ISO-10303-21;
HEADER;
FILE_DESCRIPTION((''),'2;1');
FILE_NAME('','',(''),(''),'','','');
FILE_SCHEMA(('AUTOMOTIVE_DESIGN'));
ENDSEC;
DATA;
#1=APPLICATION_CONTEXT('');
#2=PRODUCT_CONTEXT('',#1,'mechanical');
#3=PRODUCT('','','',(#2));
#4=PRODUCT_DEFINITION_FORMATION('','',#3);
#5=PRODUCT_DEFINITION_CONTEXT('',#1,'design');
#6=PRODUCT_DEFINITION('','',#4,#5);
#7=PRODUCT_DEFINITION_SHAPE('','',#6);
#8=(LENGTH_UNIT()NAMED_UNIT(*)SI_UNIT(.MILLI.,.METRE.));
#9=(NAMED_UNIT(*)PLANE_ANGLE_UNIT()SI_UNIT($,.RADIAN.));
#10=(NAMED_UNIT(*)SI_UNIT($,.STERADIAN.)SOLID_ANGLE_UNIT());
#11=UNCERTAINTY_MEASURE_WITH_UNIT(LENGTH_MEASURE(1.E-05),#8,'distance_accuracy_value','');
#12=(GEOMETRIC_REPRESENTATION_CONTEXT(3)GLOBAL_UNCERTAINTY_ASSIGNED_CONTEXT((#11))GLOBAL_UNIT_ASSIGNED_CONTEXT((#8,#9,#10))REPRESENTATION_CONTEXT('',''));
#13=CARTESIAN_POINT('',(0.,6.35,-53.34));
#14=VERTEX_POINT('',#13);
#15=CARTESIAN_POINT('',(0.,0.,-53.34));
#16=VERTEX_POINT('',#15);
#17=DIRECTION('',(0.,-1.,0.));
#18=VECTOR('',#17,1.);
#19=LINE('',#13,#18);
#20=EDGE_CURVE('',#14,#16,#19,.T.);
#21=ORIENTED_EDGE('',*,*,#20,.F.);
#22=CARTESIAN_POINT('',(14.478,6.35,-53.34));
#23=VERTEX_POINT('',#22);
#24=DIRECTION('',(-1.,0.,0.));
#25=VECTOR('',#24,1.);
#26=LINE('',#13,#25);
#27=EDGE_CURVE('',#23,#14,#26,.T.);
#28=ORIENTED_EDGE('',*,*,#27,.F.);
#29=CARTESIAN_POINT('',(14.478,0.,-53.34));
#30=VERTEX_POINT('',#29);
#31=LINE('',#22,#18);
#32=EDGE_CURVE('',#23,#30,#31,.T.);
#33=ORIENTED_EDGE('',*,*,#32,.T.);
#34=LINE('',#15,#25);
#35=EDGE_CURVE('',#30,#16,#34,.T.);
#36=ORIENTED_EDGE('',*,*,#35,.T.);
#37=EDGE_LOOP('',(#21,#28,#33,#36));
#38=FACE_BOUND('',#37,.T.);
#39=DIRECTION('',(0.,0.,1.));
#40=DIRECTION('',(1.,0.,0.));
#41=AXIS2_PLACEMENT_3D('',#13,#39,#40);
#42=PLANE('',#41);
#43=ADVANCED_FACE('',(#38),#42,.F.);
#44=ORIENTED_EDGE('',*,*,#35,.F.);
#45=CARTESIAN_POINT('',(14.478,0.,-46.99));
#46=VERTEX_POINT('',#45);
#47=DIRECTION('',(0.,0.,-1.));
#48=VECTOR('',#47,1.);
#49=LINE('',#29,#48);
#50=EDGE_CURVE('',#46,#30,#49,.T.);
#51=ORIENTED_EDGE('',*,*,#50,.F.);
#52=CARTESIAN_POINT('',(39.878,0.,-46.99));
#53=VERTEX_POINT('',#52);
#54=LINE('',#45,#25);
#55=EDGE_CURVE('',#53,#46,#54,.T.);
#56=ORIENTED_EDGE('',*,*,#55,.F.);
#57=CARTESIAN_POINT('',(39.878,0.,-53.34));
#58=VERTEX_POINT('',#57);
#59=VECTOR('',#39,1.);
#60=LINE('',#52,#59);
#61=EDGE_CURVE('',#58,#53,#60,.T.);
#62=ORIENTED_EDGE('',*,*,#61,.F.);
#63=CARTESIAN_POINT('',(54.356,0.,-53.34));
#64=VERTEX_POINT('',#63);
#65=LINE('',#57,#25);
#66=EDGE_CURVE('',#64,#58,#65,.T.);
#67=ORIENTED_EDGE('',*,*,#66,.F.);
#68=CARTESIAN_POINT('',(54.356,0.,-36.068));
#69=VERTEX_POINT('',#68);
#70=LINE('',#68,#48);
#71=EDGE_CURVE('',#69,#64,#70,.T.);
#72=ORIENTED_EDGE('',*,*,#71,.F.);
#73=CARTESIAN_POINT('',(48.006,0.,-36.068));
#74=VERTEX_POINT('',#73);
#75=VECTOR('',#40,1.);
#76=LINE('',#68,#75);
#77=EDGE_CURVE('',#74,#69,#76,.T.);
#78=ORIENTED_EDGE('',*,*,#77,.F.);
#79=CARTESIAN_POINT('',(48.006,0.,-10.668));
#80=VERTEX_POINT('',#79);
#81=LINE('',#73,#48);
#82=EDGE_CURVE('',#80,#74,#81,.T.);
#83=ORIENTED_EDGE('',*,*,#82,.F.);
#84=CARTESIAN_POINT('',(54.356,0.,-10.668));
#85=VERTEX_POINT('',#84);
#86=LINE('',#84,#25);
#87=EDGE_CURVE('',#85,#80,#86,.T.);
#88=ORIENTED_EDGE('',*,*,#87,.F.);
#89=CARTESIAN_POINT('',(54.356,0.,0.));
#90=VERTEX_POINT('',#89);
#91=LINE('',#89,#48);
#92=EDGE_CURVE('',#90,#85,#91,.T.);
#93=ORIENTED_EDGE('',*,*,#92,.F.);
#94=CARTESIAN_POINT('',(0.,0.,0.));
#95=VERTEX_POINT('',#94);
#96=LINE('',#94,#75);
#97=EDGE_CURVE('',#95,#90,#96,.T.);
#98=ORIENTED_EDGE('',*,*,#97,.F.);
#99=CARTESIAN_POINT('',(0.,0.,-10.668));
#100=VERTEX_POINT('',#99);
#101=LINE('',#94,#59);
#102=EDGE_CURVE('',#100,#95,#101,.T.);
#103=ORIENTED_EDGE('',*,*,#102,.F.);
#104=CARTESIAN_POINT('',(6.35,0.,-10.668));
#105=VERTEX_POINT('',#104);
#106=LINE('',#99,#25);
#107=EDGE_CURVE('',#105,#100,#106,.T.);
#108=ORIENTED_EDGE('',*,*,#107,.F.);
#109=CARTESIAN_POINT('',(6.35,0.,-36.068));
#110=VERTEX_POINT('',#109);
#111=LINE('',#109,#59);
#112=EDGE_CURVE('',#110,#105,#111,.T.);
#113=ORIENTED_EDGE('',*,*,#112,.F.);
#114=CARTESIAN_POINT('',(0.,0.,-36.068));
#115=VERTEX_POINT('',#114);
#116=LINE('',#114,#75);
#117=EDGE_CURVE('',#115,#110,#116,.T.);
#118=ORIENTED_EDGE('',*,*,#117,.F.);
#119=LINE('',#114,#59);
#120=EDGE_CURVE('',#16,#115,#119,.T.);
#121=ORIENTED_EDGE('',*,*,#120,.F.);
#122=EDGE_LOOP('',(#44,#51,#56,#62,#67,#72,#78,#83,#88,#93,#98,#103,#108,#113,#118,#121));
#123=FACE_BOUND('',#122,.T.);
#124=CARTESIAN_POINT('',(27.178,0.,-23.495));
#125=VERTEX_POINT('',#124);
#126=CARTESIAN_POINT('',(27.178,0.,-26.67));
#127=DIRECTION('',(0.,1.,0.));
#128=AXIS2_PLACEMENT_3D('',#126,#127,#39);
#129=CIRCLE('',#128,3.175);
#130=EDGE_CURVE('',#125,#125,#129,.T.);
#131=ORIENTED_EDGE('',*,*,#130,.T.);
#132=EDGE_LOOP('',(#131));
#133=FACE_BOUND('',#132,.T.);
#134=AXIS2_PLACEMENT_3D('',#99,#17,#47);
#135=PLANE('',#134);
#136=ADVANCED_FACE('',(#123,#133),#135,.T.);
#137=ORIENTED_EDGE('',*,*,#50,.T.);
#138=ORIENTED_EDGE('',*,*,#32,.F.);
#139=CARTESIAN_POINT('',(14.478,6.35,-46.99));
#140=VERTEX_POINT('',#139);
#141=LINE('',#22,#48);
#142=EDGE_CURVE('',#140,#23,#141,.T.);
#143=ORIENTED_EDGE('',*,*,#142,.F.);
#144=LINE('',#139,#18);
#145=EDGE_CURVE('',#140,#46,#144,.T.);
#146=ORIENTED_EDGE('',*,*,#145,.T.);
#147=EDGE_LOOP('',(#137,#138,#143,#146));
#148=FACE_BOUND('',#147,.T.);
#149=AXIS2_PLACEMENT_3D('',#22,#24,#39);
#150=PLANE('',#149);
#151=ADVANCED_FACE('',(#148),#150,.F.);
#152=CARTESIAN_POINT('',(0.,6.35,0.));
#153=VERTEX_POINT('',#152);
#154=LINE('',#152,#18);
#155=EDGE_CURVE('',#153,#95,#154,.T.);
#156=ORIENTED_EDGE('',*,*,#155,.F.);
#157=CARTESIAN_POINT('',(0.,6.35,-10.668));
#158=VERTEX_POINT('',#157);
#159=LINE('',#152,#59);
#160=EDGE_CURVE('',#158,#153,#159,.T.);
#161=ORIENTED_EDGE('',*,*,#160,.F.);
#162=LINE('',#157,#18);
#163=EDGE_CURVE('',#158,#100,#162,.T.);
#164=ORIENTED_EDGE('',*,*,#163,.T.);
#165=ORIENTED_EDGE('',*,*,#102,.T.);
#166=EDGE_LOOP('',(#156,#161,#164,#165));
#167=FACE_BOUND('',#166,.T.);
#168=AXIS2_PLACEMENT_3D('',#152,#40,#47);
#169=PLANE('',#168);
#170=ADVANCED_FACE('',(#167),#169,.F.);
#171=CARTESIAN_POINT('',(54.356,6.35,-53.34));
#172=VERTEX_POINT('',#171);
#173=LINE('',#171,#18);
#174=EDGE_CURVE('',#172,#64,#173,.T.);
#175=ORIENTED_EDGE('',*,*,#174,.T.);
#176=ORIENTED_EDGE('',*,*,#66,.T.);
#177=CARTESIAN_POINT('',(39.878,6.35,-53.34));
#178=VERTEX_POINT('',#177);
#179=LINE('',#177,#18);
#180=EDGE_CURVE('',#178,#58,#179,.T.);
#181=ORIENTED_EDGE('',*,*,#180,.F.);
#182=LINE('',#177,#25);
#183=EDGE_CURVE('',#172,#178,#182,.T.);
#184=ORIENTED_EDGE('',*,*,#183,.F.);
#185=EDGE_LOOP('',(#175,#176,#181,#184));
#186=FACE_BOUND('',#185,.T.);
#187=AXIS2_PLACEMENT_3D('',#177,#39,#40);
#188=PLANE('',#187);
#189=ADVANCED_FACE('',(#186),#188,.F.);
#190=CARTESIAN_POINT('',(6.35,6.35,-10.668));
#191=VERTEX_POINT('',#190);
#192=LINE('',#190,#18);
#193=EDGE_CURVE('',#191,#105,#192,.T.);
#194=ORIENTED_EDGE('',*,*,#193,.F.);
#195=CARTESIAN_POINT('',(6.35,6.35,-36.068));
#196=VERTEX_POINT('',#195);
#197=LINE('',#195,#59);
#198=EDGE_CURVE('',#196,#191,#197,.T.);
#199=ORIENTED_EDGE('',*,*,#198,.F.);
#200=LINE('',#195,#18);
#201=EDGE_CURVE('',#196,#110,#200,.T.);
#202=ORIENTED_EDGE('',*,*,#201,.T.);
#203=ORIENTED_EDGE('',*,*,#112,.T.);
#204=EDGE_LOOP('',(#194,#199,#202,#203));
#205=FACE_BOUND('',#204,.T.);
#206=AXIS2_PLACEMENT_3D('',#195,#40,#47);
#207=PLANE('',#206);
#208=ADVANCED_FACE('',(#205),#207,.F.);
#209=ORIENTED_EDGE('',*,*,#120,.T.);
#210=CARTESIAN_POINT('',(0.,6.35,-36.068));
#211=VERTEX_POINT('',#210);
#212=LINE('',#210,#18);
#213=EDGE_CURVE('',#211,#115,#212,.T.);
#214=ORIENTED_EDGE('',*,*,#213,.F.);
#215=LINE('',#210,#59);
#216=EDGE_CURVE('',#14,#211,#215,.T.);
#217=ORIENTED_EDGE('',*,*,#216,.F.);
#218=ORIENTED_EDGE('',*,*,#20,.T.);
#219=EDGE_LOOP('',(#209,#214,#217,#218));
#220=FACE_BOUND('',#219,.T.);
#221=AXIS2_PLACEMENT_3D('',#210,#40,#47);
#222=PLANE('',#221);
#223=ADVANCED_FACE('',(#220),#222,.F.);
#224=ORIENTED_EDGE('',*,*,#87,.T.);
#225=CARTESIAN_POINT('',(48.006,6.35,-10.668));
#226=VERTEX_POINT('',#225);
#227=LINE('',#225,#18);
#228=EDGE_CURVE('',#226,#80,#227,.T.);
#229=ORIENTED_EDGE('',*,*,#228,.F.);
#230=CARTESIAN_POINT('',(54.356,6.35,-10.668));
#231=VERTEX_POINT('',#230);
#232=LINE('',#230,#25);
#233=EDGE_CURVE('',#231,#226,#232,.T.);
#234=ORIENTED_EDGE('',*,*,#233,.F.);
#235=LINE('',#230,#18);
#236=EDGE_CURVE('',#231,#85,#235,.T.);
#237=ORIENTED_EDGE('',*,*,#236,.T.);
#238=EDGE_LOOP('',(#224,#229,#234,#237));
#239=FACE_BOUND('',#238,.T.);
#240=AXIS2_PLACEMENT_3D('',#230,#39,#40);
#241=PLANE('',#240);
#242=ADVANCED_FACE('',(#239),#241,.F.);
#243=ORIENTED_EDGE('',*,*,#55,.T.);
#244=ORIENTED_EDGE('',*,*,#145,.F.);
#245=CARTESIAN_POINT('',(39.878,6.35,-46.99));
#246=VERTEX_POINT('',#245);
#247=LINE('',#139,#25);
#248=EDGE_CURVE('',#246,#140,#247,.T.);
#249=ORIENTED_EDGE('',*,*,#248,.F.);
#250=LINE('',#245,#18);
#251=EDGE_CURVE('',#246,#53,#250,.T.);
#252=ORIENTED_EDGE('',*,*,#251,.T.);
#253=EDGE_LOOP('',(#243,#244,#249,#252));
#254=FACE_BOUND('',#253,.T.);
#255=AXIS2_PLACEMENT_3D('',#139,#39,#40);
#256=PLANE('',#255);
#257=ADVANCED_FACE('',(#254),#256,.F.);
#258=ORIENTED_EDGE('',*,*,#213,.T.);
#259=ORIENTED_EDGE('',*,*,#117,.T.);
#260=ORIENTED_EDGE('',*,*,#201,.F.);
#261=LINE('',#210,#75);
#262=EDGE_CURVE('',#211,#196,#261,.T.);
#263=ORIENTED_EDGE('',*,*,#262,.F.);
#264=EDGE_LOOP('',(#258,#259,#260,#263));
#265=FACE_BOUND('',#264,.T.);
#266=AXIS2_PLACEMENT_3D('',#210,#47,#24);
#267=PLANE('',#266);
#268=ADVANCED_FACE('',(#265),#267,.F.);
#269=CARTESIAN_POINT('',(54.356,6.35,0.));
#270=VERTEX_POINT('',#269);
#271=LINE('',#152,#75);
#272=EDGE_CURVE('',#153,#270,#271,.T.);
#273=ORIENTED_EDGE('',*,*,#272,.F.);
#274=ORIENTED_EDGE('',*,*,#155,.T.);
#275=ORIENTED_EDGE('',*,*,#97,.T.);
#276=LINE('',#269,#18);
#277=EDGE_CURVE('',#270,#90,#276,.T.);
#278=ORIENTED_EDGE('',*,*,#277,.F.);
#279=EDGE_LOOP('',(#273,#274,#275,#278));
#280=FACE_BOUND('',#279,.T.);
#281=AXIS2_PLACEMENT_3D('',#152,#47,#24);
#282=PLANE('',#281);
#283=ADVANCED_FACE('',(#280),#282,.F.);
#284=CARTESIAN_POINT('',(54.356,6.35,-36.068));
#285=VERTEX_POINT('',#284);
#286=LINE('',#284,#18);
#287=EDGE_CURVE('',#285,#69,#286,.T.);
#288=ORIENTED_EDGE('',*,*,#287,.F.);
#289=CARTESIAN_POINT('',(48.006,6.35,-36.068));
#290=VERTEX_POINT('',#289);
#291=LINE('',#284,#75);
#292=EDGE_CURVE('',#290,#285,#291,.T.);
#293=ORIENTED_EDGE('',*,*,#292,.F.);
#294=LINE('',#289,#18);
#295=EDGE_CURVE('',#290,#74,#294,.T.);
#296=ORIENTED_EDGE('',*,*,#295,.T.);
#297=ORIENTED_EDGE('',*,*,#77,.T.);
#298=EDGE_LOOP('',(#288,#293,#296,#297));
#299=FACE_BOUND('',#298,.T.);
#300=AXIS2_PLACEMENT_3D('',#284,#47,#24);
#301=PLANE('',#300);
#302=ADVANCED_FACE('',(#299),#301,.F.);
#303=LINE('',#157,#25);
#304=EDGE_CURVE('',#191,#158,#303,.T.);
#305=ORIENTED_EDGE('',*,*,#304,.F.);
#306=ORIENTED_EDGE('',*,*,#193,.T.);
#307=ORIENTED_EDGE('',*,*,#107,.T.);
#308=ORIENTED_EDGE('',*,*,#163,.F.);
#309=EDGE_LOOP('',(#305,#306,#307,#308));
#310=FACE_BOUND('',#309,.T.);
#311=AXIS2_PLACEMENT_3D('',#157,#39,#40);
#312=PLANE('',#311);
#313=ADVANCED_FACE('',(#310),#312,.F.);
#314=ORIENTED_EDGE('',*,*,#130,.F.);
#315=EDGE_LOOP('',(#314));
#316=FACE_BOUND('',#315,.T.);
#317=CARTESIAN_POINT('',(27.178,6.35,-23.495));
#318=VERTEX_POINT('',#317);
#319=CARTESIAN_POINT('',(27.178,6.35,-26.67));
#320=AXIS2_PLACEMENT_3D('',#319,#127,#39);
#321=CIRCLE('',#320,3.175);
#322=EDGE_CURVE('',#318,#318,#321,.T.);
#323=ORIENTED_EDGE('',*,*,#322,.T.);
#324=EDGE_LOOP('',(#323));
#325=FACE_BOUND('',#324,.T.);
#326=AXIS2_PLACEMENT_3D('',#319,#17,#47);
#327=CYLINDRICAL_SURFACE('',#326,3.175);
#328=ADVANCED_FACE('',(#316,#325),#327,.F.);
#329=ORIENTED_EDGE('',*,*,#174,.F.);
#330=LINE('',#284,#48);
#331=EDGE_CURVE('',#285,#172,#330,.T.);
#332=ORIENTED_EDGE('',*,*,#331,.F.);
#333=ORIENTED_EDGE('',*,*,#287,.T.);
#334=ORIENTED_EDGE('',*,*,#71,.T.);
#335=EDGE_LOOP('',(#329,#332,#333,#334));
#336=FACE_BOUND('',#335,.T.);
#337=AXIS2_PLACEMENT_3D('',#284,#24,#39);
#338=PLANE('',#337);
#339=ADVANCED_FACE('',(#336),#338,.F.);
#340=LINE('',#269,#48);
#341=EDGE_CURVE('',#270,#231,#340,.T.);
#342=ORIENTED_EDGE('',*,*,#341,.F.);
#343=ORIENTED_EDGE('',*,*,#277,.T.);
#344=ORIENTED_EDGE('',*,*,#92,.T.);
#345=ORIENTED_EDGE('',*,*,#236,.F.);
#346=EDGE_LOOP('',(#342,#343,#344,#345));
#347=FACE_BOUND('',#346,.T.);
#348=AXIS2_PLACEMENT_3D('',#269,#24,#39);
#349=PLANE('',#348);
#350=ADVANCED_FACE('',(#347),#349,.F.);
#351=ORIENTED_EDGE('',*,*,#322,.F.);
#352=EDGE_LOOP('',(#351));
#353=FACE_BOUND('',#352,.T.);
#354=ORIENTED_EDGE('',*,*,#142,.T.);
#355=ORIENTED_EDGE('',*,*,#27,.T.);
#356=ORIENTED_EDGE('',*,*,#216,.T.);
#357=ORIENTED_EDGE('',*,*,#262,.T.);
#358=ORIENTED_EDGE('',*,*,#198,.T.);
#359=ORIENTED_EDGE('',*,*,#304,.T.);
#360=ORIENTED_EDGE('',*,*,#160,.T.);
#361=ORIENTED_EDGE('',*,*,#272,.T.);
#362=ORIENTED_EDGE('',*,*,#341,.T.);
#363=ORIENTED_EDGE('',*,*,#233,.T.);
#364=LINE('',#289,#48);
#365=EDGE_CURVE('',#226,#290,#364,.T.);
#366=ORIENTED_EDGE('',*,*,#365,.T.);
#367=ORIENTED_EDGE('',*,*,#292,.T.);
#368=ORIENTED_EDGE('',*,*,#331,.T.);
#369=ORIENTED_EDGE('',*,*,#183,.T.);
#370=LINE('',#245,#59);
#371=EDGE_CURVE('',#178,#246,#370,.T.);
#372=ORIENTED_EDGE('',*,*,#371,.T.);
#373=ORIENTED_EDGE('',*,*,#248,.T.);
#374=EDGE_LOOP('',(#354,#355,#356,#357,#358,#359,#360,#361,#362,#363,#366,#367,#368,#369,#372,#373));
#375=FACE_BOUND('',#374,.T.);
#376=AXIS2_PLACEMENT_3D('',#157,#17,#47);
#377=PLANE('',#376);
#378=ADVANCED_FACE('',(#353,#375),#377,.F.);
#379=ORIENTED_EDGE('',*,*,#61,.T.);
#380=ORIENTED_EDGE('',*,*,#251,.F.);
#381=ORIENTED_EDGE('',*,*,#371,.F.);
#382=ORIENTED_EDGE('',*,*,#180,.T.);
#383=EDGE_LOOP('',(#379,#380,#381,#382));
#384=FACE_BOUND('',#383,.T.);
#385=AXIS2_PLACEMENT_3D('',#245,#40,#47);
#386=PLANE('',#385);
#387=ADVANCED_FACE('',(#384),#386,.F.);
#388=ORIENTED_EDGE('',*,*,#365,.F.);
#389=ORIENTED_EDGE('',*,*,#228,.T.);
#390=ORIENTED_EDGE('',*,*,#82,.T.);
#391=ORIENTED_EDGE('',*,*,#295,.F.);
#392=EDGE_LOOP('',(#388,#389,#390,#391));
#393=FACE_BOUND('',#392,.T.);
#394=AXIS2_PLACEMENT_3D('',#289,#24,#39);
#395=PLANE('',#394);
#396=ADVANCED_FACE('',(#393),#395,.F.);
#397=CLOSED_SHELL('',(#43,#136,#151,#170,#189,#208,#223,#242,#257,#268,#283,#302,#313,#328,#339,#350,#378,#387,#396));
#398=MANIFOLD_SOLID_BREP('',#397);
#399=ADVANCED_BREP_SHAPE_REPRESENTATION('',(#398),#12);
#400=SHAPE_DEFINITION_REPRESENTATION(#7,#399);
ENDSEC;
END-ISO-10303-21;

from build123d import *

# Parameters (mm, degrees)
SKETCH1_R      = 3.175
EXTRUDE1_DEPTH = 6.35


with BuildPart() as part:
    # Sketch1 → Extrude1 (new body)
    with BuildSketch(Plane(origin=(0, 0, 0), x_dir=(1, 0, 0), z_dir=(0, 1, 0))):
        Polygon((14.478, 53.34), (14.478, 46.99), (39.878, 46.99), (39.878, 53.34), (54.356, 53.34), (54.356, 36.068), (48.006, 36.068), (48.006, 10.668), (54.356, 10.668), (54.356, 0), (0, 0), (0, 10.668), (6.35, 10.668), (6.35, 36.068), (0, 36.068), (0, 53.34), align=None)
        with Locations(Location((27.178, 26.67, 0), (0, 0, 270))):
            Circle(SKETCH1_R, mode=Mode.SUBTRACT)
    extrude(amount=EXTRUDE1_DEPTH)


solid = part.part
